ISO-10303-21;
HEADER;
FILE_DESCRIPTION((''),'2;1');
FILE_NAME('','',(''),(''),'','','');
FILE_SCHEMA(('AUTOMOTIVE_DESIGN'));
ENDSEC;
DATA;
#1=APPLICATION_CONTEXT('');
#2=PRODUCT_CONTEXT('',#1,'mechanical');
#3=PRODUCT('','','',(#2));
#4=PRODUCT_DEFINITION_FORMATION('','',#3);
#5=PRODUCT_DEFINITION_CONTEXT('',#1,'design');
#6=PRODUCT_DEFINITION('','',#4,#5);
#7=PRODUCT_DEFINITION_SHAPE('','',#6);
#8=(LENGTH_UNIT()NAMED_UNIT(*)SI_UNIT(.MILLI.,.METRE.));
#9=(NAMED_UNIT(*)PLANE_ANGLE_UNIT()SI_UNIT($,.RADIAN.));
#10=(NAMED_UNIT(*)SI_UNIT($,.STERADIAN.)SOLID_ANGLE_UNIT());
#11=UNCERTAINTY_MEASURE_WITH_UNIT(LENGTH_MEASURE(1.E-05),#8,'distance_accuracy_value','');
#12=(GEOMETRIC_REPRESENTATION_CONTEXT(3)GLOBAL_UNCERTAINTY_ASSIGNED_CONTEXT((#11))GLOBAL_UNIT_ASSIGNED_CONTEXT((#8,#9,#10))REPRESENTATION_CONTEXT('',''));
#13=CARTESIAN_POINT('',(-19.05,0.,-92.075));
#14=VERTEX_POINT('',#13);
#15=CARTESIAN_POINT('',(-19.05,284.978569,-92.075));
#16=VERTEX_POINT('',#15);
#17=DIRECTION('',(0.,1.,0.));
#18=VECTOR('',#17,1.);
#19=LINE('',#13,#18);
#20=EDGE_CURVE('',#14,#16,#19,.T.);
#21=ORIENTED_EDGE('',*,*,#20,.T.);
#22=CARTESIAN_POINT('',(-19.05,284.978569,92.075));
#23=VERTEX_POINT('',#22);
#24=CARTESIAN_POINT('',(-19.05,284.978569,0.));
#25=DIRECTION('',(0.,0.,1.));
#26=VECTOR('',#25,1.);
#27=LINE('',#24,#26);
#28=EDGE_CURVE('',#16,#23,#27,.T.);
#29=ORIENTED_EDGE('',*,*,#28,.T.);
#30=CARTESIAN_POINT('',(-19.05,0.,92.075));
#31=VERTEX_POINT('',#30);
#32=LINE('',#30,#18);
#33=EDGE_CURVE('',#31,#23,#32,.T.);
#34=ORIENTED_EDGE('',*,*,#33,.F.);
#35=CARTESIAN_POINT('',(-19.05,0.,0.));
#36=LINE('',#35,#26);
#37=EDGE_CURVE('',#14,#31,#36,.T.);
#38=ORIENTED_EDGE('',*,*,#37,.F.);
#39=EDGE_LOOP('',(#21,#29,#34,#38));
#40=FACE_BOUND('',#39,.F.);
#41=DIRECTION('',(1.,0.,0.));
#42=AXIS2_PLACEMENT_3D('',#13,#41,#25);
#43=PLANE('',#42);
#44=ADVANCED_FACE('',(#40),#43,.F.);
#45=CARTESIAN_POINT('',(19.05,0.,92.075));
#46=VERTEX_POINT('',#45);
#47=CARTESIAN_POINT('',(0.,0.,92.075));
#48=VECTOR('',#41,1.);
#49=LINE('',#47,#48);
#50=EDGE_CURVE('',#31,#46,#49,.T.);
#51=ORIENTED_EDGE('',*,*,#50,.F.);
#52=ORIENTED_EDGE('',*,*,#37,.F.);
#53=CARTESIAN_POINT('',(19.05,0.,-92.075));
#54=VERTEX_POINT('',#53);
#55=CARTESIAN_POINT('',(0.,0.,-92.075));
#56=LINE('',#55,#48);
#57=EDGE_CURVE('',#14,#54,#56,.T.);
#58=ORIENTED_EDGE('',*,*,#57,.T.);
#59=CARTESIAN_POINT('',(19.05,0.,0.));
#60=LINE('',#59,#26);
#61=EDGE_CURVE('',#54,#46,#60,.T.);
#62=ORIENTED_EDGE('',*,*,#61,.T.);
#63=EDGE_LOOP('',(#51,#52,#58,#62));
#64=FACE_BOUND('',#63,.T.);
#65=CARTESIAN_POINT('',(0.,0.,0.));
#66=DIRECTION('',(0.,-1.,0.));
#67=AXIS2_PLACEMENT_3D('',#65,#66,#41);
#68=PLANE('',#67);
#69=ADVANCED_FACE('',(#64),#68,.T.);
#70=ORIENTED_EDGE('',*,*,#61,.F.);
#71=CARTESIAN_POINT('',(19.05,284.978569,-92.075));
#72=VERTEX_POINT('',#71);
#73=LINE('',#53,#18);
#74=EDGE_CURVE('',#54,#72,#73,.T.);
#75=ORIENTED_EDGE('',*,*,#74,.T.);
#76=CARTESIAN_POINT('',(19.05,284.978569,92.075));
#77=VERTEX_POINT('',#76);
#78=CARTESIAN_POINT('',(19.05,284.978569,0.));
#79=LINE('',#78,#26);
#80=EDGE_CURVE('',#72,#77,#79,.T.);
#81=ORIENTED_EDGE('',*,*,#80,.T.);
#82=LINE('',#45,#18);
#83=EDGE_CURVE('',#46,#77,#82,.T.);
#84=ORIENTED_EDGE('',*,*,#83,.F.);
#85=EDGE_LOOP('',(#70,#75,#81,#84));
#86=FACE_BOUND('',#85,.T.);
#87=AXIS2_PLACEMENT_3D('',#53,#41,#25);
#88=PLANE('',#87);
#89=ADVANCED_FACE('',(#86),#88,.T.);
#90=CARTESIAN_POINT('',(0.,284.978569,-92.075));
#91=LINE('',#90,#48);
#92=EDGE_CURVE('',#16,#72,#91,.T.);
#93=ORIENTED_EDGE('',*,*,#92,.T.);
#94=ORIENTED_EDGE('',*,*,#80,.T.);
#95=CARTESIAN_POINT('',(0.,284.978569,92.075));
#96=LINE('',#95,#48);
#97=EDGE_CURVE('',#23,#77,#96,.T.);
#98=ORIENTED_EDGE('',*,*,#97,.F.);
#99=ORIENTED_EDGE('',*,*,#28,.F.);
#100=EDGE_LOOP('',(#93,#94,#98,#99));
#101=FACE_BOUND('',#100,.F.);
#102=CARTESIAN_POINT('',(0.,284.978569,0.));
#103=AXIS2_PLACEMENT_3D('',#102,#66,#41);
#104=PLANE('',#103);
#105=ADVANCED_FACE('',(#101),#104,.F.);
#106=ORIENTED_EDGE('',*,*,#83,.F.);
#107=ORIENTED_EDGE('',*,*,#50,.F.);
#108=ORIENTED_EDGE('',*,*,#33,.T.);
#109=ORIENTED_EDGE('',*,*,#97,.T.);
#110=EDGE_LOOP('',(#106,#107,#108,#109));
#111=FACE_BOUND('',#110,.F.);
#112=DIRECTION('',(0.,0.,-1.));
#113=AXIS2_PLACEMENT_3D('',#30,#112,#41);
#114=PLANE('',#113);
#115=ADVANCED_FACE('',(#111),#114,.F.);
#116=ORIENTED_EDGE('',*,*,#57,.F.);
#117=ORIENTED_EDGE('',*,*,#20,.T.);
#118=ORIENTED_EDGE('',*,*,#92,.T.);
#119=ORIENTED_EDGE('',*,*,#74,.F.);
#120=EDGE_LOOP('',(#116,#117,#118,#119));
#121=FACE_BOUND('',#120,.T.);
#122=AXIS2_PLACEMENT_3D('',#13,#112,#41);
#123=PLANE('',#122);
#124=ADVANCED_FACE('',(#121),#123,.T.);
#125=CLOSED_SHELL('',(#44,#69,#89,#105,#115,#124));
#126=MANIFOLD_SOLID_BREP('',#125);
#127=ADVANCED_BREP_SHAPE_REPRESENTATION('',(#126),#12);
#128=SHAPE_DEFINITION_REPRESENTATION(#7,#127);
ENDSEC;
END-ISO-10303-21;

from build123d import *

# Parameters (mm, degrees)
F1_W     = 38.1
F1_H     = 184.15
F2_DEPTH = 284.978569


with BuildPart() as f2:
    # F1 (on face) → F2 (new body)
    with BuildSketch(Plane.XZ):
        Rectangle(F1_W, F1_H)
    extrude(amount=-F2_DEPTH)


solid = f2.part
